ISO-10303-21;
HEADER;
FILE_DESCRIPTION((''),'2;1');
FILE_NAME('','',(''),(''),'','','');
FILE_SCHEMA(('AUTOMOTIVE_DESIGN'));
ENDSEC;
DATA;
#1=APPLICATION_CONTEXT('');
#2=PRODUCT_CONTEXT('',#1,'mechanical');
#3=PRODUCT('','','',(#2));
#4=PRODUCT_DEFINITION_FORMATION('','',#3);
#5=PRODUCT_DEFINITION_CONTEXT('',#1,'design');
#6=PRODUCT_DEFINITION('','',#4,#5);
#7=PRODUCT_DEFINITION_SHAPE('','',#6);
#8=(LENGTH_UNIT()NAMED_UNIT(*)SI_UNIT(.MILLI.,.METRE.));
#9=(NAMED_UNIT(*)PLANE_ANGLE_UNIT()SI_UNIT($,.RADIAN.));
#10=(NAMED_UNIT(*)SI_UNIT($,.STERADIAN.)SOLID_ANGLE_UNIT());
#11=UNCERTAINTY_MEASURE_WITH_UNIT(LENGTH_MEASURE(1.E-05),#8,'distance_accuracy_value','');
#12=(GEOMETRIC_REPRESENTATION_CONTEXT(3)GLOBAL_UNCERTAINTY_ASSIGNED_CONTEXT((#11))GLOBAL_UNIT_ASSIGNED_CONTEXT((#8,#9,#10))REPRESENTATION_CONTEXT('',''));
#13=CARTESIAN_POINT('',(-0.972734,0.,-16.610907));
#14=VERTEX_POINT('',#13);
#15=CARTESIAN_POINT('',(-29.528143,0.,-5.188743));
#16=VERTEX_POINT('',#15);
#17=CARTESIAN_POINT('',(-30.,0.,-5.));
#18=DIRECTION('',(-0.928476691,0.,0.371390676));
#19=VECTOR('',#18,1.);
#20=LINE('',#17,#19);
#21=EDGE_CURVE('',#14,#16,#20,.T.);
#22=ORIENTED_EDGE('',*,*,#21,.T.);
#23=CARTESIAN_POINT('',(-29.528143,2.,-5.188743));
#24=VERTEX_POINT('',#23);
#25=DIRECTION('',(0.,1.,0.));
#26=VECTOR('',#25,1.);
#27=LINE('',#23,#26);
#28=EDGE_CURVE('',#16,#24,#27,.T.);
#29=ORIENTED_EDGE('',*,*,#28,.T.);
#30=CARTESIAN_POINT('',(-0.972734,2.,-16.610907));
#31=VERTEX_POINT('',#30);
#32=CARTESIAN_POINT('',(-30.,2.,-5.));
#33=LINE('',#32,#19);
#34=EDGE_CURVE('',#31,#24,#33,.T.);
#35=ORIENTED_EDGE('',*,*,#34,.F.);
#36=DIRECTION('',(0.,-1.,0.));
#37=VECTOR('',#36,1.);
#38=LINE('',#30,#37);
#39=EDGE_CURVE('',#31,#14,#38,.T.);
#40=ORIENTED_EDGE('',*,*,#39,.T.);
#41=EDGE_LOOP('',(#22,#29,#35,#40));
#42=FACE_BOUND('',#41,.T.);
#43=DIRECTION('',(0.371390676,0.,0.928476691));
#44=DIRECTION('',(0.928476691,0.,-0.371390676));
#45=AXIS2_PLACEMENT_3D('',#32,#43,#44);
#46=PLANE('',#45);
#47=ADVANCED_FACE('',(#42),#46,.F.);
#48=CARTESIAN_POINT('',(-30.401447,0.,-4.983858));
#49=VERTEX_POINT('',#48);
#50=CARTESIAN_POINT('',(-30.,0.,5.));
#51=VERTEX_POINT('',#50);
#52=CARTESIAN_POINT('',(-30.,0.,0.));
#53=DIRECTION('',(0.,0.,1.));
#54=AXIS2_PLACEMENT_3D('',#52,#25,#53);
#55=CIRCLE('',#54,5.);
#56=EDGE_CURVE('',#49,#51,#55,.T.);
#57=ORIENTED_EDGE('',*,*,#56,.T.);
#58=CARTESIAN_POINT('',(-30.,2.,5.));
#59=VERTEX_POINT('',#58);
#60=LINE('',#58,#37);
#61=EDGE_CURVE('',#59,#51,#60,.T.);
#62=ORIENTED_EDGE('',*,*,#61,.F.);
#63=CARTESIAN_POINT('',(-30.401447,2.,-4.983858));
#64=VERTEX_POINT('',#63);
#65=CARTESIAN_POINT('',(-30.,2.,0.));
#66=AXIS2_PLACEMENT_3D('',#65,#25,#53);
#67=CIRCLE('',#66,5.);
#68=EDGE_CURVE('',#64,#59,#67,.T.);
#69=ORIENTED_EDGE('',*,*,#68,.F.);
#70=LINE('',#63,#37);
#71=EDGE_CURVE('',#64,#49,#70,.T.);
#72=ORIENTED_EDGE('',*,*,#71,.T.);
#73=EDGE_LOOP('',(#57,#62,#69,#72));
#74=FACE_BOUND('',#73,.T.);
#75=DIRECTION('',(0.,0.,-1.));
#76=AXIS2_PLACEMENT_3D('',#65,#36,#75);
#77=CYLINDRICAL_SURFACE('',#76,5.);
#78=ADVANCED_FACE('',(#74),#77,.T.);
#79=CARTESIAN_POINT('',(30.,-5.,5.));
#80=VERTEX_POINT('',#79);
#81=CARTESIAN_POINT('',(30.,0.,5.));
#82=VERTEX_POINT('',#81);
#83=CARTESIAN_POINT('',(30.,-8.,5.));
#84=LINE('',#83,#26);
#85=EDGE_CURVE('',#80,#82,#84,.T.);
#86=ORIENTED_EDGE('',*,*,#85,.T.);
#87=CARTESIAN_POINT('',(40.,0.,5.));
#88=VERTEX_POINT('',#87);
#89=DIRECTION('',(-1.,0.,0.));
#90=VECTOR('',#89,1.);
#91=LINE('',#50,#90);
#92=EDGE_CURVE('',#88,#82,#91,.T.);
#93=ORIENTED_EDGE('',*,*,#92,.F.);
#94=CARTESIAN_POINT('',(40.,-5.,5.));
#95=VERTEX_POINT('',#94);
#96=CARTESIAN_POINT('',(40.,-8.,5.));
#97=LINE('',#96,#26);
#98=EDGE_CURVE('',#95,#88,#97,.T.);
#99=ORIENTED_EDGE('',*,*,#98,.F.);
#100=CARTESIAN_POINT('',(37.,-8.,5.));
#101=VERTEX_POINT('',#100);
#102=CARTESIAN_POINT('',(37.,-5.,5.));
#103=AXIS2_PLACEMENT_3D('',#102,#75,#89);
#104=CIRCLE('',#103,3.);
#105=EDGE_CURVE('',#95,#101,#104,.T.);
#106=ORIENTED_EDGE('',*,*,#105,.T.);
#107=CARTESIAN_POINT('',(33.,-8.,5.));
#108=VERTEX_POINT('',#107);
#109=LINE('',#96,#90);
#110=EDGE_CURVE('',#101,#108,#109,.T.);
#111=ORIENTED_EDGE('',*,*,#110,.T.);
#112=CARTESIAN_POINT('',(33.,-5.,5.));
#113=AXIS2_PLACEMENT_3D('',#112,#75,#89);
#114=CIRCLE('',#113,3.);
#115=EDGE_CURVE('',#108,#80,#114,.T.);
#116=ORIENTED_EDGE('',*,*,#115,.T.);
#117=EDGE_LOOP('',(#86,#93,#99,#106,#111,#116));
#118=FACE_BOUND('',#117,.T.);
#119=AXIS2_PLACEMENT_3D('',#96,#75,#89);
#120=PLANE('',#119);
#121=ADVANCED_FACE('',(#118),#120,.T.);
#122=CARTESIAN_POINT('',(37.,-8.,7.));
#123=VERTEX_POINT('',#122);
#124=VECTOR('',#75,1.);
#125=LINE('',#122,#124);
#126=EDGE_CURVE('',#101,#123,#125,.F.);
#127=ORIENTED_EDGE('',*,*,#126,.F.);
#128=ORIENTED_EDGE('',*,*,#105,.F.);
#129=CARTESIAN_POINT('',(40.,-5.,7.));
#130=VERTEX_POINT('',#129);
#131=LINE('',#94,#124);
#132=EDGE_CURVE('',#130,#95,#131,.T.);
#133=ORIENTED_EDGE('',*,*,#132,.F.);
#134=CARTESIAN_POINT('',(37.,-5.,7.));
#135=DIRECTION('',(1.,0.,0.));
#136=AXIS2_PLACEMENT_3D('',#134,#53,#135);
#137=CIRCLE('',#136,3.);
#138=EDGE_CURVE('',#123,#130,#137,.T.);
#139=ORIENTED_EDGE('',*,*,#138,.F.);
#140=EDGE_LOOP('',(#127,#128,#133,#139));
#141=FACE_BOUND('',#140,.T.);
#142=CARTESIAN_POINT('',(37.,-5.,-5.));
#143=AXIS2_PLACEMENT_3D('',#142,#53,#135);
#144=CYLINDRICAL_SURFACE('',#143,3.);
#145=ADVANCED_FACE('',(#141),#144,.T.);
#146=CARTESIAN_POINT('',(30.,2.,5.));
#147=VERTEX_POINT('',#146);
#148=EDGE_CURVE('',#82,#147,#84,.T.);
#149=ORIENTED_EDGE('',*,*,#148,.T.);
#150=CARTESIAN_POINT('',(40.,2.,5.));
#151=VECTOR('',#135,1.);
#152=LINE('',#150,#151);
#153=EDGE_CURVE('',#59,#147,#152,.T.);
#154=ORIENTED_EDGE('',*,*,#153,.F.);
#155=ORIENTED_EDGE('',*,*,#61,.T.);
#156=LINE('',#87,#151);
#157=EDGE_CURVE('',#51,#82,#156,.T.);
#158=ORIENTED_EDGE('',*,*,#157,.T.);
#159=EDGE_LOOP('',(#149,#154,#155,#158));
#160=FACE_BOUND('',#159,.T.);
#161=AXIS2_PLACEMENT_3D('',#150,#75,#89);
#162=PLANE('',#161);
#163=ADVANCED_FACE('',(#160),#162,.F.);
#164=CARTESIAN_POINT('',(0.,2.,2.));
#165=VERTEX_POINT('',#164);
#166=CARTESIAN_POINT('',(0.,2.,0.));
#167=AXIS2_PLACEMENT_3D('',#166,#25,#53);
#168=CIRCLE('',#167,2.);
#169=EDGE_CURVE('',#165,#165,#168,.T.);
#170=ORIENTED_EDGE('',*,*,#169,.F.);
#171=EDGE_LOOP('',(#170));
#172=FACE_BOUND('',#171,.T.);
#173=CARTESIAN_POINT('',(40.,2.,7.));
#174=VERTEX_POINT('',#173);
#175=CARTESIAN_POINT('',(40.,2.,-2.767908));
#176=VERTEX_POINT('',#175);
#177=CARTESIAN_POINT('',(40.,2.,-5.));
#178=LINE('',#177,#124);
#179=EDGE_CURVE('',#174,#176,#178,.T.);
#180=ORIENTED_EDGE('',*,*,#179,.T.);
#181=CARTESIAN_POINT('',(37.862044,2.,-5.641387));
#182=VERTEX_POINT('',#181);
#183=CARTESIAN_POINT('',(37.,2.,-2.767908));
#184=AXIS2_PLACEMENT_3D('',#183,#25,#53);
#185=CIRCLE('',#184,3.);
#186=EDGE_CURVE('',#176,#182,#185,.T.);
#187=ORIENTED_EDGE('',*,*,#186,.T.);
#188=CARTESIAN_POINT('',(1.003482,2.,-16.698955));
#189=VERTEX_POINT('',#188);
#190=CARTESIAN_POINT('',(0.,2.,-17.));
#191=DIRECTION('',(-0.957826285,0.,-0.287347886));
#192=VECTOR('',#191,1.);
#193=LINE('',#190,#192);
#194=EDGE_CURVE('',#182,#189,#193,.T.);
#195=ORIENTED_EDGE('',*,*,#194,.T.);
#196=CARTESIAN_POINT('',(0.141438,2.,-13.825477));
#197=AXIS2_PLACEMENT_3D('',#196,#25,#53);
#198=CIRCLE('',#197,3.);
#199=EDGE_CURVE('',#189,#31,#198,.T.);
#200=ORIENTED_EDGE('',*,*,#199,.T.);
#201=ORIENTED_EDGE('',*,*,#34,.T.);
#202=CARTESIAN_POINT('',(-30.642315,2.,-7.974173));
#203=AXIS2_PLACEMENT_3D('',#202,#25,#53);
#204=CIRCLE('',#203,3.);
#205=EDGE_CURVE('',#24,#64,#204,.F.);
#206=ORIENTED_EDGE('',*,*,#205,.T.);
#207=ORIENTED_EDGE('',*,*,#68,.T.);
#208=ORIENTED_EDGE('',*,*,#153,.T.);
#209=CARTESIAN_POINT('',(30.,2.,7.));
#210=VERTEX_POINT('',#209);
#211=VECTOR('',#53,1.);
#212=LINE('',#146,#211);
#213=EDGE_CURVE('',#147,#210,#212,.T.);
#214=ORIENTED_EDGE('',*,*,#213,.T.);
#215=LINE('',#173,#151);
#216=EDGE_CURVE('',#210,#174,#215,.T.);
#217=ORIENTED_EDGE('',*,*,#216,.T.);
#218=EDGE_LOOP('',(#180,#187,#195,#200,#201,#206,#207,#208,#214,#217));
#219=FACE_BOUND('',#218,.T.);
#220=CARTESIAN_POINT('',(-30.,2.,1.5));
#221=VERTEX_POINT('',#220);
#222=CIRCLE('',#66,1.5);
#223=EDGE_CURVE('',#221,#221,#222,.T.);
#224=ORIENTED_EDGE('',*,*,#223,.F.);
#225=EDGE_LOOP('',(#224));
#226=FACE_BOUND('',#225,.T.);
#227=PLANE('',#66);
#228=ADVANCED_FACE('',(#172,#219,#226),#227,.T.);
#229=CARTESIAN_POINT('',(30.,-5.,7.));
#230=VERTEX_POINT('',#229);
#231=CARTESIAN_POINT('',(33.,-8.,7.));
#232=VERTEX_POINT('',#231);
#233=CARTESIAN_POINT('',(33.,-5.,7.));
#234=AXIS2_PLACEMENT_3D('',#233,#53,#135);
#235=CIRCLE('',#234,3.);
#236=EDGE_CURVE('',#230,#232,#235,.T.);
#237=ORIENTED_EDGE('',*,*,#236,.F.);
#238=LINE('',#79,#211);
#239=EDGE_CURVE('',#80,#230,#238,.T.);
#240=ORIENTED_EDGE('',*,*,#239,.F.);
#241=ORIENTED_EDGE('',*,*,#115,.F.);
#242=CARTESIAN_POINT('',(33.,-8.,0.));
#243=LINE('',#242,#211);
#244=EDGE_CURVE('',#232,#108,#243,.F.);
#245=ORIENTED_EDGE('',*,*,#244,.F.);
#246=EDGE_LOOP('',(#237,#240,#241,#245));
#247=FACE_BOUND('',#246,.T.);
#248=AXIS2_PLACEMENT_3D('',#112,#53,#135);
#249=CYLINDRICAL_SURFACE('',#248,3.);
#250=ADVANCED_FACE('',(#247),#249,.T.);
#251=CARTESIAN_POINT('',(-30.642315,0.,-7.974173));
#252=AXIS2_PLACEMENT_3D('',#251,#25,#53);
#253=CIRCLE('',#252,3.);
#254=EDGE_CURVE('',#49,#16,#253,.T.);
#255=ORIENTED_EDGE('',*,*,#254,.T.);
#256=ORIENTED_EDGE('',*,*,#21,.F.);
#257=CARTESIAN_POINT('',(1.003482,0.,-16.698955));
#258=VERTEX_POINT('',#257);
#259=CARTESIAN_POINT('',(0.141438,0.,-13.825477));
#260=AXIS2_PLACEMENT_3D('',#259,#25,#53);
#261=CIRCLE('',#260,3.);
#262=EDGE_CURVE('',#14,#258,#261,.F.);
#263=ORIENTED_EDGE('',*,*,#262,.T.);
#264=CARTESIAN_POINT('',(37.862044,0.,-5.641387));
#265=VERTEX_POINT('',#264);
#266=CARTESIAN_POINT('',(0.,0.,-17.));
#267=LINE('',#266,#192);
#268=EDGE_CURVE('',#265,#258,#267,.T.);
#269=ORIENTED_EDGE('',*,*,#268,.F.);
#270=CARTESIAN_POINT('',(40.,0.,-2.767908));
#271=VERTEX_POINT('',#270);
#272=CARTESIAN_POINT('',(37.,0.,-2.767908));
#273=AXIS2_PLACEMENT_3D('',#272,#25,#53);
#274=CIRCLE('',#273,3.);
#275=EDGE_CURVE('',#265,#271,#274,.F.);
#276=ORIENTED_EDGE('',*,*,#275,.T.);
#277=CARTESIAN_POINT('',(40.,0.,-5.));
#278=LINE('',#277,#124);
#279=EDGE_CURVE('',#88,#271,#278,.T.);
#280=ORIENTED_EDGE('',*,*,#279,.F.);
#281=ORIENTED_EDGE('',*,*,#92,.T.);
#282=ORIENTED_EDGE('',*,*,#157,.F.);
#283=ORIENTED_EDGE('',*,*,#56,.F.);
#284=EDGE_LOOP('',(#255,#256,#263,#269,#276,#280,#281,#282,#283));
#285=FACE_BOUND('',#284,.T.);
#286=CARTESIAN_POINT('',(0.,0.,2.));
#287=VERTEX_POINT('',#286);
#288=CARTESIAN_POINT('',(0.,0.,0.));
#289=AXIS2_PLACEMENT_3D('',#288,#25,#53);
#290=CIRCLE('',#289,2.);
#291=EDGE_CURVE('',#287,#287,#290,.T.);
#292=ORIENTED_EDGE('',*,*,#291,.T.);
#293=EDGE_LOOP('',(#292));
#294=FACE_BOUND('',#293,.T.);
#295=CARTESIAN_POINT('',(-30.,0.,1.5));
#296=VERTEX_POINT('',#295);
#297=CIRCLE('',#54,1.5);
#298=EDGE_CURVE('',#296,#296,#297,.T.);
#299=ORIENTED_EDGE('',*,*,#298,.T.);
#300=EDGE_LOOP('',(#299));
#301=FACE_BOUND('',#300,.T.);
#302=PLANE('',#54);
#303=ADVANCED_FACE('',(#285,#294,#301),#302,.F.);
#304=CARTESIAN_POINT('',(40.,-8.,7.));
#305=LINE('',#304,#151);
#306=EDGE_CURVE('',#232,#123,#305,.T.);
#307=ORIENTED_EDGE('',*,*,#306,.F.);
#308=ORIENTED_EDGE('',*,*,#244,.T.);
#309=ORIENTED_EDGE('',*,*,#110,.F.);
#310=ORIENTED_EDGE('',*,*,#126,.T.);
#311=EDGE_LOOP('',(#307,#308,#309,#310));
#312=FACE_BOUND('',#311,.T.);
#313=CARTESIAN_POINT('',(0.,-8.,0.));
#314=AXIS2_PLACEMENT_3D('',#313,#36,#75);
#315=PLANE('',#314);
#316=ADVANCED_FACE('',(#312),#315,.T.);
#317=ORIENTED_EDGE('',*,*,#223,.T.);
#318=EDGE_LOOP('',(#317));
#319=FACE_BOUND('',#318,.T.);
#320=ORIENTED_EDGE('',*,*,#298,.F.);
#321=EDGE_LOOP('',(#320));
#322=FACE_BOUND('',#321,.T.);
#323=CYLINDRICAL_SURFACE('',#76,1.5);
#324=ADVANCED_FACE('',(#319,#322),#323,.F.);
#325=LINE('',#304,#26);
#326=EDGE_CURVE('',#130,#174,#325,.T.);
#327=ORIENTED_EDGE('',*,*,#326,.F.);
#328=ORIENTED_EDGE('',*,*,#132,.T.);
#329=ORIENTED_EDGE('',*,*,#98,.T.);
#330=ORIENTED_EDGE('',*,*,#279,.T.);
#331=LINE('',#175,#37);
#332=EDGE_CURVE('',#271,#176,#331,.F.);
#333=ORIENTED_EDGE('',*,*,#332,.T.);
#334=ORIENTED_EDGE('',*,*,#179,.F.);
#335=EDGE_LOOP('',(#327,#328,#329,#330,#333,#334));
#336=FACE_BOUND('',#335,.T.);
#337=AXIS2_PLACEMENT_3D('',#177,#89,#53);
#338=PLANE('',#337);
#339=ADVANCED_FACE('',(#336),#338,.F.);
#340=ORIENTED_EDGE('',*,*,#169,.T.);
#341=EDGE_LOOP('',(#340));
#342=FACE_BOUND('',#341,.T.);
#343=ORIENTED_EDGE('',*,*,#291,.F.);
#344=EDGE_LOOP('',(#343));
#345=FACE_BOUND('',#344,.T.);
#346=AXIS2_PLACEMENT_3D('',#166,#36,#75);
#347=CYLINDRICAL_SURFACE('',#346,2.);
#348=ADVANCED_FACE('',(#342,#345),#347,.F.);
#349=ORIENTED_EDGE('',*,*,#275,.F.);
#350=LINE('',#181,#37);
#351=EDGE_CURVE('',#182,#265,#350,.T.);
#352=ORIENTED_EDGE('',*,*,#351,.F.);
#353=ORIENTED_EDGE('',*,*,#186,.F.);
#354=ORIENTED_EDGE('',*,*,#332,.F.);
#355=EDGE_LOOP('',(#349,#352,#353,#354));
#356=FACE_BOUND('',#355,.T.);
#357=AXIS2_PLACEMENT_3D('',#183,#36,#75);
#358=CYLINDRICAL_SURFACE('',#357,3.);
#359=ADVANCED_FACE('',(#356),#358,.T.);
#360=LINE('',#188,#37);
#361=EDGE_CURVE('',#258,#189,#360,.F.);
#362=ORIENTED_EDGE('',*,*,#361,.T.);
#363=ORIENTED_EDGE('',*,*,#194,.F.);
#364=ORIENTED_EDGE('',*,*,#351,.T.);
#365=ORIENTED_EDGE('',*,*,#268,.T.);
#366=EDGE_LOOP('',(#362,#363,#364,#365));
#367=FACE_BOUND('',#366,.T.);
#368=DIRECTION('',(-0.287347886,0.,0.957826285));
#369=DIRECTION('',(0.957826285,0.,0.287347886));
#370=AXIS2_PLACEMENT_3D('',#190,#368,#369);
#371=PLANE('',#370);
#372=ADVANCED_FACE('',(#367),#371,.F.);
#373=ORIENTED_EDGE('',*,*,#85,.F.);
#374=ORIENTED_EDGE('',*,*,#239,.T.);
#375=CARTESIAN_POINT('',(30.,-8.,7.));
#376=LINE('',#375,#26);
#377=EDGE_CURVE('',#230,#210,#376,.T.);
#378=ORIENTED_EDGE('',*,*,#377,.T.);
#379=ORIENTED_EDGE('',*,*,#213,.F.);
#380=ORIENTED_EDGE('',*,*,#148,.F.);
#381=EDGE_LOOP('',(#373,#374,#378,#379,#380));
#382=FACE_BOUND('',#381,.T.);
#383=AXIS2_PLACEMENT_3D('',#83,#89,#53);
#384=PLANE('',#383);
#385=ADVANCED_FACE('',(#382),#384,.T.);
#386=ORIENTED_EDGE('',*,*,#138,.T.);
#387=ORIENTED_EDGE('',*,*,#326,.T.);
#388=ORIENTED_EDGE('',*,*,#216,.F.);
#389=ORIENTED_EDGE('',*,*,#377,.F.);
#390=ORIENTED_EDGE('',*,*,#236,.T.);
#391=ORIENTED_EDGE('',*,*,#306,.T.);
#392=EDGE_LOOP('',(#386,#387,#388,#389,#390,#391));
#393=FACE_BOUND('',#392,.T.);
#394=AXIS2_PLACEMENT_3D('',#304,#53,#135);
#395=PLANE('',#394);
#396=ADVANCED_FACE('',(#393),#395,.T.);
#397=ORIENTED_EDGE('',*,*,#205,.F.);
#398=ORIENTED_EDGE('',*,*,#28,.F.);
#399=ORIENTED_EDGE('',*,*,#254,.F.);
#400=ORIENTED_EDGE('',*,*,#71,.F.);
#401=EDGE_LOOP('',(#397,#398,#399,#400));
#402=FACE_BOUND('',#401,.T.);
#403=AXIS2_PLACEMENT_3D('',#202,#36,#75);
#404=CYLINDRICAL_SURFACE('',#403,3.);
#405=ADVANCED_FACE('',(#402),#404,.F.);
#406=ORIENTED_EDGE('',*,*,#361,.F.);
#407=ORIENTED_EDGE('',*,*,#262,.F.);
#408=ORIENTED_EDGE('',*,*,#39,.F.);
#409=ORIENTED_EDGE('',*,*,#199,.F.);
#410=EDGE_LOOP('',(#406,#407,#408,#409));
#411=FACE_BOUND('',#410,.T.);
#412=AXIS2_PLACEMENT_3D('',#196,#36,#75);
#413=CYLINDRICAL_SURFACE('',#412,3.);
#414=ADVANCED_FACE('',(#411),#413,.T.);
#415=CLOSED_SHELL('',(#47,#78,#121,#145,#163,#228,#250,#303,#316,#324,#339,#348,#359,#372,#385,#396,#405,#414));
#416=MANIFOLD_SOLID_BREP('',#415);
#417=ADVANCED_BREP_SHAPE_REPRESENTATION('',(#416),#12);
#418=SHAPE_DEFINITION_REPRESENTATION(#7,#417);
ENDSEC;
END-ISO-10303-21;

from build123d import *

# Parameters (mm, degrees)
SKETCH_1_R      = 1.5
SKETCH_1_R_2    = 2
EXTRUDE_1_DEPTH = 2
SKETCH_2_W      = 10
SKETCH_2_H      = 2
EXTRUDE_2_DEPTH = 10
FILLET_1_R      = 3
FILLET_2_R      = 3


with BuildPart() as part:
    # 草图1 → 凸台-拉伸1 (new body)
    with BuildSketch(Plane(origin=(0, 0, 0), x_dir=(1, 0, 0), z_dir=(0, 1, 0))):
        with BuildLine():
            Line((-30, 5), (0, 17))
            Line((0, 17), (40, 5))
            Line((40, 5), (40, -5))
            Line((40, -5), (-30, -5))
            ThreePointArc((-30, -5), (-35, 0), (-30, 5))
        make_face()
        with Locations(Location((-30, 0, 0), (0, 0, 270))):
            Circle(SKETCH_1_R, mode=Mode.SUBTRACT)
        with Locations(Location((0, 0, 0), (0, 0, 270))):
            Circle(SKETCH_1_R_2, mode=Mode.SUBTRACT)
    extrude(amount=EXTRUDE_1_DEPTH)

    # 草图2 → 凸台-拉伸2 (add)
    with BuildSketch(Plane(origin=(0, 2, 0), x_dir=(1, 0, 0), z_dir=(0, 1, 0))):
        with Locations((35, -6)):
            Rectangle(SKETCH_2_W, SKETCH_2_H)
    extrude(amount=-EXTRUDE_2_DEPTH)

    # 圆角1
    fillet_1_edges = [part.edges().sort_by_distance(p)[0] for p in [
        (-30, 1, -5),
        (0, 1, -17),
        (40, 1, -5),
    ]]
    fillet(fillet_1_edges, radius=FILLET_1_R)

    # 圆角2
    fillet_2_edges = [part.edges().sort_by_distance(p)[0] for p in [
        (40, -8, 6),
        (30, -8, 6),
    ]]
    fillet(fillet_2_edges, radius=FILLET_2_R)


solid = part.part
